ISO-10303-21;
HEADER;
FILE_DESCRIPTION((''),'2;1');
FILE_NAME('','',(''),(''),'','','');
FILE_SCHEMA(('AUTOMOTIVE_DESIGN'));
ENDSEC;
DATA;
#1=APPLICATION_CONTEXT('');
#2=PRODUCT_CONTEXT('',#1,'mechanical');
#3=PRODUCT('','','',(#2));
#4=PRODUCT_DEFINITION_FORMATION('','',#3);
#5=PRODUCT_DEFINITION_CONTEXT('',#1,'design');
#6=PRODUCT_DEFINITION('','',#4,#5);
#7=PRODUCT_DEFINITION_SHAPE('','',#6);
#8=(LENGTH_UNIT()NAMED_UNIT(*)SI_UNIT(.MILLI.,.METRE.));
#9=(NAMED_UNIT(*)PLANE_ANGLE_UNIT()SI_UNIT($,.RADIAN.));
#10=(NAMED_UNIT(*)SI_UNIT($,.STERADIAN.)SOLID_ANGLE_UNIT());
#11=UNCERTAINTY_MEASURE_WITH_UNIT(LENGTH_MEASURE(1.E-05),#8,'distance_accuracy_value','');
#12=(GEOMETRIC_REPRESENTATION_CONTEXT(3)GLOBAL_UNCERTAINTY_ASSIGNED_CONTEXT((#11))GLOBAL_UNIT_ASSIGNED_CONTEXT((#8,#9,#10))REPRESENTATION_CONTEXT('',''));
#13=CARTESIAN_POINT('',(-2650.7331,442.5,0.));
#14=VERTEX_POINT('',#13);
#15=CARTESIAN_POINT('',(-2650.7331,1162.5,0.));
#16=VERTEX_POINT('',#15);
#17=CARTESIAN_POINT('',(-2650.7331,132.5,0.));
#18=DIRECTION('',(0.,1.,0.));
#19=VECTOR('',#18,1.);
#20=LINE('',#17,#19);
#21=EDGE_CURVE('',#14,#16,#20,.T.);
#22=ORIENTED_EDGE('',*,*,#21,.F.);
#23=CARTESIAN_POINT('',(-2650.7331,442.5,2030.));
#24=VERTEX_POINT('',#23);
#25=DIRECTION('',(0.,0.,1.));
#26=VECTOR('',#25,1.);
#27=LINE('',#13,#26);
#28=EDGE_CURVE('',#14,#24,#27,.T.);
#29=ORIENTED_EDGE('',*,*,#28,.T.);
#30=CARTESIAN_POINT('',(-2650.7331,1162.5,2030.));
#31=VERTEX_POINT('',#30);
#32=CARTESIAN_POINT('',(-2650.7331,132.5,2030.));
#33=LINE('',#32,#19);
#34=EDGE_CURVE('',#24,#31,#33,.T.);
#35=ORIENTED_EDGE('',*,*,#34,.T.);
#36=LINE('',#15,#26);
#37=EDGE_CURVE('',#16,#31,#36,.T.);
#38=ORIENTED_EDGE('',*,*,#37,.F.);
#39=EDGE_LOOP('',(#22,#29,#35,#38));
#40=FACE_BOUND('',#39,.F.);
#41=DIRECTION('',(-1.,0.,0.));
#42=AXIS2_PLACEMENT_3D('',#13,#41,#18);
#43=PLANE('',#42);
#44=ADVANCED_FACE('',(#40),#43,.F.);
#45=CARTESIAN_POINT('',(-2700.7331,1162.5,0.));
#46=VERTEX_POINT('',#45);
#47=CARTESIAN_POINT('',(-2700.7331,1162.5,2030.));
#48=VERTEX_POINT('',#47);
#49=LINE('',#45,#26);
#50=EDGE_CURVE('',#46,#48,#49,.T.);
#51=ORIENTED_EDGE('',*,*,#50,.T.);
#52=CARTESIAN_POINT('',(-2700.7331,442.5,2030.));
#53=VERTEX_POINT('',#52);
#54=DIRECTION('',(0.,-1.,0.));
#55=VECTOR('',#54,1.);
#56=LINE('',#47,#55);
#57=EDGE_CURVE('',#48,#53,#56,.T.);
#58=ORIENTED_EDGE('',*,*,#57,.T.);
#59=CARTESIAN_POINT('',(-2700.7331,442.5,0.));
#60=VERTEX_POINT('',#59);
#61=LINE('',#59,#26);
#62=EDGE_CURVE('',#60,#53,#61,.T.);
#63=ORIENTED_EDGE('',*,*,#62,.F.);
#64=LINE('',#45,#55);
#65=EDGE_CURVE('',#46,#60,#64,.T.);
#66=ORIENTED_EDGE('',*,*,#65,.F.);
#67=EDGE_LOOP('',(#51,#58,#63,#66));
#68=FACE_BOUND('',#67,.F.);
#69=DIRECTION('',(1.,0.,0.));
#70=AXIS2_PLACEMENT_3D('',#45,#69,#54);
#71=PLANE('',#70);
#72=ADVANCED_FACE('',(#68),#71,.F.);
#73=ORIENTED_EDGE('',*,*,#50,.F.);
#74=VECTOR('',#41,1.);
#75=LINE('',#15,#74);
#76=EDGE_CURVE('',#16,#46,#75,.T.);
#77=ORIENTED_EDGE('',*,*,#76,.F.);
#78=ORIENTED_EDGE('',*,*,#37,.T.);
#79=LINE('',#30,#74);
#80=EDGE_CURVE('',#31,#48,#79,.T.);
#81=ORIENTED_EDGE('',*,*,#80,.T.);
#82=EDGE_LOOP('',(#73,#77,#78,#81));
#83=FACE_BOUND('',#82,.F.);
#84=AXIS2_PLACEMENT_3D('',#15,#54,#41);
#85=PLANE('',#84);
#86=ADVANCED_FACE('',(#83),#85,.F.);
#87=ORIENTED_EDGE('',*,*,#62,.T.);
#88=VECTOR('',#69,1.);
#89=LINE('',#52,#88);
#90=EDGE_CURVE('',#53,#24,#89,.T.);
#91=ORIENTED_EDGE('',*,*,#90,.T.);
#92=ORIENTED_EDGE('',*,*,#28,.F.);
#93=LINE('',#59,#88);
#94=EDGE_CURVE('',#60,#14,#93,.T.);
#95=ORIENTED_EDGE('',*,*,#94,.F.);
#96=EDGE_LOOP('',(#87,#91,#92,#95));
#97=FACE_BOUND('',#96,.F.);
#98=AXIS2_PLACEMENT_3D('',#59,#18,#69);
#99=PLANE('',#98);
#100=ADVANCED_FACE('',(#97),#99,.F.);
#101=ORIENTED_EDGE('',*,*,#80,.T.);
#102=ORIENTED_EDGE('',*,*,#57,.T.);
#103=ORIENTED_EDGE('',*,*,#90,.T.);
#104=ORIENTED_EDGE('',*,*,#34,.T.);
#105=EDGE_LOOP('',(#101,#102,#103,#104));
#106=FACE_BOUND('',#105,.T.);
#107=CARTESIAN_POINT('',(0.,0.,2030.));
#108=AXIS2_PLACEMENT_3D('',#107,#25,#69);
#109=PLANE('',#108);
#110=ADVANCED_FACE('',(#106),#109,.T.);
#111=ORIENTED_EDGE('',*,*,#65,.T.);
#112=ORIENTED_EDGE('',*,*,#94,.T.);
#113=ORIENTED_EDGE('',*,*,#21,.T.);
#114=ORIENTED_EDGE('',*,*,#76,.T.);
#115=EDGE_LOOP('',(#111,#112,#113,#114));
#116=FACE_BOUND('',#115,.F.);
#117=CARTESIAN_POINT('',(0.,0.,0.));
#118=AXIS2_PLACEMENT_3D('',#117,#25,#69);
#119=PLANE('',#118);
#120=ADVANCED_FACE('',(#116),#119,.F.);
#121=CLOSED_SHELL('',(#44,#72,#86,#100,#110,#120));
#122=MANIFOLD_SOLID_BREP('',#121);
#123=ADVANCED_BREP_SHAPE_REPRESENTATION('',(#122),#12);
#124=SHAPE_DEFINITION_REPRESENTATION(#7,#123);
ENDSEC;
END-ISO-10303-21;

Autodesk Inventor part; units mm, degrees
ref_plane "YZ Plane" through (0, 0, 0) normal (1, 0, 0) x (0, 1, 0)
ref_plane "XZ Plane" through (0, 0, 0) normal (0, 1, 0) x (-1, 0, 0)
ref_plane "Plano de trabajo1" through (0, 0, 0) normal (0, 0, 1) x (1, 0, 0)
sketch "Boceto1" plane through (0, 0, 0) normal (0, 0, 1) x (1, 0, 0)
  line L0 (-2650.7331, 1162.5) -> (-2750.7331, 1162.5) projected
  line L1 (-2650.7331, 132.5) -> (-2650.7331, 1162.5) projected
  line L2 (-2750.7331, 132.5) -> (-2650.7331, 132.5) projected
  line L3 (-2750.7331, 132.5) -> (-2750.7331, 1162.5) projected
  line L4 (-2650.7331, 1162.5) -> (-2700.7331, 1162.5)
  line L5 (-2700.7331, 1162.5) -> (-2700.7331, 442.5)
  line L6 (-2700.7331, 442.5) -> (-2650.7331, 442.5)
  line L7 (-2650.7331, 442.5) -> (-2650.7331, 1162.5)
  point P0 (0, 0)
  dimension "d0" = 50
  dimension "d1" = 720
ref_plane "Plano de trabajo2" through (-2750.7331, 132.5, 2030) normal (0, 0, -1) x (0, 1, 0)
extrude "Extrusión1" add sketch "Boceto1" along normal up to surface (2030 mm away) contours L1 L6 L5 L0
properties part number "Puerta"
